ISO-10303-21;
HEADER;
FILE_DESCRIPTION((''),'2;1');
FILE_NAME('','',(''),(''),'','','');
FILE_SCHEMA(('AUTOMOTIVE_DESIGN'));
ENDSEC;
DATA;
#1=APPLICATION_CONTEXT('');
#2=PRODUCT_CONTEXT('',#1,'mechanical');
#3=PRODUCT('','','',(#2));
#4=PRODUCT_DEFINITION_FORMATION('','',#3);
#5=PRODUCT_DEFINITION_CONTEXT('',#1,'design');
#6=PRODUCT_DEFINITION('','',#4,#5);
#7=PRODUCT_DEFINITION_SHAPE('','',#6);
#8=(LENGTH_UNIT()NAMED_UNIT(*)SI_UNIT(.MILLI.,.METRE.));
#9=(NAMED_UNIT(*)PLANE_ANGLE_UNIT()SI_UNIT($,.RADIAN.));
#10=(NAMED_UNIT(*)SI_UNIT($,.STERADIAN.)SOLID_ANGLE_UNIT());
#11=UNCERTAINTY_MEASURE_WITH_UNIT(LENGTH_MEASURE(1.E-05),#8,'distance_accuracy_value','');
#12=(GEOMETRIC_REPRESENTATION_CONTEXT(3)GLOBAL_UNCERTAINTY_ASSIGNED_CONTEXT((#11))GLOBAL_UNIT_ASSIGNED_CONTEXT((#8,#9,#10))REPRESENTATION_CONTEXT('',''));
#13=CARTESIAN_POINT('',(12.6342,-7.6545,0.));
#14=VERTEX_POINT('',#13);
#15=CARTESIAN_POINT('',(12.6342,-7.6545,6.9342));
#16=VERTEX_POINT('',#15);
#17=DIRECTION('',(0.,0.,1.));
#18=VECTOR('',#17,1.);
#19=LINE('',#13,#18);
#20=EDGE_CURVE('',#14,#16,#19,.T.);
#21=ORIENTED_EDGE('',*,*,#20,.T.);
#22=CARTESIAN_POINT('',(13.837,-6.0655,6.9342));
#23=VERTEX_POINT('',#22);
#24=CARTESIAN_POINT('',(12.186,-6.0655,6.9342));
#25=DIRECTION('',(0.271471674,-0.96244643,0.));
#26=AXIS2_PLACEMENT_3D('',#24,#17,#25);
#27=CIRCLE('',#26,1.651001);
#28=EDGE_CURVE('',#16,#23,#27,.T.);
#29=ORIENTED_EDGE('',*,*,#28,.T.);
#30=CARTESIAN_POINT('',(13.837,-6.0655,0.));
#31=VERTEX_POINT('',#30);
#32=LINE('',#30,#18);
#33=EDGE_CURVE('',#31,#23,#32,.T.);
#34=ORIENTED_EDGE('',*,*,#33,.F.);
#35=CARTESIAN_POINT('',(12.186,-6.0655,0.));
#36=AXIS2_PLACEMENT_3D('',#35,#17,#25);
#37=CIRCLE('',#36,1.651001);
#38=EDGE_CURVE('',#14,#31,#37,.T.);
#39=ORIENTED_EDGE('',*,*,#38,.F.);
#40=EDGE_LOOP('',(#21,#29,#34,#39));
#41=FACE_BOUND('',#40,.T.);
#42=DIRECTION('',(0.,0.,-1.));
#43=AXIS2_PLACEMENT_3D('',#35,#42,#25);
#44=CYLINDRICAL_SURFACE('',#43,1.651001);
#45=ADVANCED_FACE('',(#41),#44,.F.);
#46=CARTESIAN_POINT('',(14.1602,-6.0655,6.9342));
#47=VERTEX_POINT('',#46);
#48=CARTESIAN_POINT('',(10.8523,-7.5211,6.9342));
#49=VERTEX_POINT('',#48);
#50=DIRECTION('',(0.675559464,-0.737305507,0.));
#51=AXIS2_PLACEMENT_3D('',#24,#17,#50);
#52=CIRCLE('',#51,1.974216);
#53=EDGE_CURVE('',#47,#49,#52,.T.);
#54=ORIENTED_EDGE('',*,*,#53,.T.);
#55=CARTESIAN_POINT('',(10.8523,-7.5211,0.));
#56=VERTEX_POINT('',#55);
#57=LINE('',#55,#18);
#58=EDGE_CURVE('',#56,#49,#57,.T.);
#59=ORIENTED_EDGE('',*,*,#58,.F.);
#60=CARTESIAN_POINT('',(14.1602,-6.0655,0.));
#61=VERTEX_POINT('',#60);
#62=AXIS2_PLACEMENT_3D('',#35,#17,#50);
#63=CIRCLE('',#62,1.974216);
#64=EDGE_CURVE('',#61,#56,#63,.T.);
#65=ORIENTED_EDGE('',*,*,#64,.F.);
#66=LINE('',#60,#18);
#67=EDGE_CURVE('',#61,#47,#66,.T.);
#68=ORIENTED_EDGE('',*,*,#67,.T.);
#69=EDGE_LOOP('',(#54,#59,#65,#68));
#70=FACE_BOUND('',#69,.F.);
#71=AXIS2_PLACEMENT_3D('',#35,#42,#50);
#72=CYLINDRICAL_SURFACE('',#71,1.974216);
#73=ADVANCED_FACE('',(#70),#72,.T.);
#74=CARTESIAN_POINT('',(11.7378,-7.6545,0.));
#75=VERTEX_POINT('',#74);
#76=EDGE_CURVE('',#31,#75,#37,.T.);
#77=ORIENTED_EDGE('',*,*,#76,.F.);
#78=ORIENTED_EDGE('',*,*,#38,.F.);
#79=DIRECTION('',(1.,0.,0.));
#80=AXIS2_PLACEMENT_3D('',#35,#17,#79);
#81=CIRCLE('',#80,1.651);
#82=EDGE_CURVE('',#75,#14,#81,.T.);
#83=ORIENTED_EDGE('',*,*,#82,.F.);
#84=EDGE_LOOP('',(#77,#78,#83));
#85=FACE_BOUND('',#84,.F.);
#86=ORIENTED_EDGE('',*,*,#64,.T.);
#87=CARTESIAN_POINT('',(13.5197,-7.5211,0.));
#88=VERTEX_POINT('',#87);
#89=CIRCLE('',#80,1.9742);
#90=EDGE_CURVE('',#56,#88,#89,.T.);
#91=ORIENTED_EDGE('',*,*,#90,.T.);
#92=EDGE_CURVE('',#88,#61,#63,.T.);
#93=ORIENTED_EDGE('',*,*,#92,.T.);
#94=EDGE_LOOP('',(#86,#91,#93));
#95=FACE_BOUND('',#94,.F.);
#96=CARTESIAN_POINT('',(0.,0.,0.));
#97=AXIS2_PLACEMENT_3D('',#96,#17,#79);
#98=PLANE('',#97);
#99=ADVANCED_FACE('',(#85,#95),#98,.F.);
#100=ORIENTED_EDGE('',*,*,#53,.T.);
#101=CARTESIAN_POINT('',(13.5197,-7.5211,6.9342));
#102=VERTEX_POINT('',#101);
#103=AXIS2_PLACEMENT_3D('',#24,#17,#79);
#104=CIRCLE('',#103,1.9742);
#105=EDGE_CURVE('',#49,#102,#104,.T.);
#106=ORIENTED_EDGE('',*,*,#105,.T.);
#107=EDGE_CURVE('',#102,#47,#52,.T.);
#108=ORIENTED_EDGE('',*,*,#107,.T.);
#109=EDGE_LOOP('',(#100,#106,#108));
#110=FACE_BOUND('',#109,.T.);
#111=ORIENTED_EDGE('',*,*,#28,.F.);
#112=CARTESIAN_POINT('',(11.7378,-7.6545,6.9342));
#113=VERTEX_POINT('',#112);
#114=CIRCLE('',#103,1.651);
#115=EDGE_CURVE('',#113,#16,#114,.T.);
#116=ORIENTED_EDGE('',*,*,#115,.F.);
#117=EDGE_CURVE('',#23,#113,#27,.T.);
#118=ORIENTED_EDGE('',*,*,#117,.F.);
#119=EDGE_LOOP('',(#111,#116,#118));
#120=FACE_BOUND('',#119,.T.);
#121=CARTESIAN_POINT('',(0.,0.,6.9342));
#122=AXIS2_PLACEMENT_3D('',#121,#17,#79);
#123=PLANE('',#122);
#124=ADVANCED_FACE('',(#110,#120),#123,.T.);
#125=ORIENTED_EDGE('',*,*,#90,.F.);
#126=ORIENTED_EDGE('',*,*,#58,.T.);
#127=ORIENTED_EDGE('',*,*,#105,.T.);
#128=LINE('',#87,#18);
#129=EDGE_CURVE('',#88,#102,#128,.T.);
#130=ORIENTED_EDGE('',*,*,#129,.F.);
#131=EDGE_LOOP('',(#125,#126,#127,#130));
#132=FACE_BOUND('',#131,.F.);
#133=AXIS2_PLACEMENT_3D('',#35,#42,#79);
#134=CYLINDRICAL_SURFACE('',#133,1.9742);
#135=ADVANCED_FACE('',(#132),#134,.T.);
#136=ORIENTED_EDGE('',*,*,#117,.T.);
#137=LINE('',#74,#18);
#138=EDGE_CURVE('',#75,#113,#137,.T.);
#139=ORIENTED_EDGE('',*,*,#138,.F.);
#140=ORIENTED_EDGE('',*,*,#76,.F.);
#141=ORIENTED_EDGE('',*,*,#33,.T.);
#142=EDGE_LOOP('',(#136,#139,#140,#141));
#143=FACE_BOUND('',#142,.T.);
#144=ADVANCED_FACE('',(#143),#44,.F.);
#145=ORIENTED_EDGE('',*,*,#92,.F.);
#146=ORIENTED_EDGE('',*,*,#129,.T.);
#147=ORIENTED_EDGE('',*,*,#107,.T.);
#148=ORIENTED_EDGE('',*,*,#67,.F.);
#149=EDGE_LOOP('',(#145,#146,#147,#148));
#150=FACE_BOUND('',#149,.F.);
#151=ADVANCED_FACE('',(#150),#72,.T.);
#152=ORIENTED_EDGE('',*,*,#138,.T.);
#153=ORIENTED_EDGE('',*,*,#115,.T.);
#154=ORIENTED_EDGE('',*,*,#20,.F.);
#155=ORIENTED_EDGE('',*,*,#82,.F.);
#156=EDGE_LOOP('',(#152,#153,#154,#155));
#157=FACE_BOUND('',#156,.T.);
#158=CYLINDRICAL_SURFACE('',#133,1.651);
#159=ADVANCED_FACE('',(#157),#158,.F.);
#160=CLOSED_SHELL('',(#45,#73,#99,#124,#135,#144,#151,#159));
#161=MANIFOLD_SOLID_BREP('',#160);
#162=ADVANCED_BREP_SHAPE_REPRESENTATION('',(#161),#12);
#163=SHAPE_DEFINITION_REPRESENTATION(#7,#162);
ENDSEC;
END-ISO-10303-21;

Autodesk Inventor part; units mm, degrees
ref_plane "YZ Plane" through (0, 0, 0) normal (1, 0, 0) x (0, 1, 0)
ref_plane "XZ Plane" through (0, 0, 0) normal (0, 1, 0) x (-1, 0, 0)
ref_plane "XY Plane" through (0, 0, 0) normal (0, 0, 1) x (1, 0, 0)
sketch "Sketch1" plane through (0, 0, 0) normal (0, 0, 1) x (1, 0, 0)
  arc A0 (13.554, -7.5586) -> (10.818, -7.5586) centre (12.186, -6.0655) ccw projected
  arc A1 (12.5997, -7.5323) -> (11.7723, -7.5323) centre (12.186, -6.0655) ccw projected
  arc A2 (13.5197, -7.5211) -> (10.8523, -7.5211) centre (12.186, -6.0655) ccw
  arc A3 (12.6342, -7.6545) -> (11.7378, -7.6545) centre (12.186, -6.0655) ccw
  circle A4 centre (12.186, -6.0655) radius 1.651
  circle A5 centre (12.186, -6.0655) radius 1.9742
  point P0 (0, 0)
  dimension "d0" = 0.0508
  dimension "d1" = 0.127
extrude "Extrusion1" add sketch "Sketch1" along normal blind 6.9342
properties part number "ServoSpacer"
